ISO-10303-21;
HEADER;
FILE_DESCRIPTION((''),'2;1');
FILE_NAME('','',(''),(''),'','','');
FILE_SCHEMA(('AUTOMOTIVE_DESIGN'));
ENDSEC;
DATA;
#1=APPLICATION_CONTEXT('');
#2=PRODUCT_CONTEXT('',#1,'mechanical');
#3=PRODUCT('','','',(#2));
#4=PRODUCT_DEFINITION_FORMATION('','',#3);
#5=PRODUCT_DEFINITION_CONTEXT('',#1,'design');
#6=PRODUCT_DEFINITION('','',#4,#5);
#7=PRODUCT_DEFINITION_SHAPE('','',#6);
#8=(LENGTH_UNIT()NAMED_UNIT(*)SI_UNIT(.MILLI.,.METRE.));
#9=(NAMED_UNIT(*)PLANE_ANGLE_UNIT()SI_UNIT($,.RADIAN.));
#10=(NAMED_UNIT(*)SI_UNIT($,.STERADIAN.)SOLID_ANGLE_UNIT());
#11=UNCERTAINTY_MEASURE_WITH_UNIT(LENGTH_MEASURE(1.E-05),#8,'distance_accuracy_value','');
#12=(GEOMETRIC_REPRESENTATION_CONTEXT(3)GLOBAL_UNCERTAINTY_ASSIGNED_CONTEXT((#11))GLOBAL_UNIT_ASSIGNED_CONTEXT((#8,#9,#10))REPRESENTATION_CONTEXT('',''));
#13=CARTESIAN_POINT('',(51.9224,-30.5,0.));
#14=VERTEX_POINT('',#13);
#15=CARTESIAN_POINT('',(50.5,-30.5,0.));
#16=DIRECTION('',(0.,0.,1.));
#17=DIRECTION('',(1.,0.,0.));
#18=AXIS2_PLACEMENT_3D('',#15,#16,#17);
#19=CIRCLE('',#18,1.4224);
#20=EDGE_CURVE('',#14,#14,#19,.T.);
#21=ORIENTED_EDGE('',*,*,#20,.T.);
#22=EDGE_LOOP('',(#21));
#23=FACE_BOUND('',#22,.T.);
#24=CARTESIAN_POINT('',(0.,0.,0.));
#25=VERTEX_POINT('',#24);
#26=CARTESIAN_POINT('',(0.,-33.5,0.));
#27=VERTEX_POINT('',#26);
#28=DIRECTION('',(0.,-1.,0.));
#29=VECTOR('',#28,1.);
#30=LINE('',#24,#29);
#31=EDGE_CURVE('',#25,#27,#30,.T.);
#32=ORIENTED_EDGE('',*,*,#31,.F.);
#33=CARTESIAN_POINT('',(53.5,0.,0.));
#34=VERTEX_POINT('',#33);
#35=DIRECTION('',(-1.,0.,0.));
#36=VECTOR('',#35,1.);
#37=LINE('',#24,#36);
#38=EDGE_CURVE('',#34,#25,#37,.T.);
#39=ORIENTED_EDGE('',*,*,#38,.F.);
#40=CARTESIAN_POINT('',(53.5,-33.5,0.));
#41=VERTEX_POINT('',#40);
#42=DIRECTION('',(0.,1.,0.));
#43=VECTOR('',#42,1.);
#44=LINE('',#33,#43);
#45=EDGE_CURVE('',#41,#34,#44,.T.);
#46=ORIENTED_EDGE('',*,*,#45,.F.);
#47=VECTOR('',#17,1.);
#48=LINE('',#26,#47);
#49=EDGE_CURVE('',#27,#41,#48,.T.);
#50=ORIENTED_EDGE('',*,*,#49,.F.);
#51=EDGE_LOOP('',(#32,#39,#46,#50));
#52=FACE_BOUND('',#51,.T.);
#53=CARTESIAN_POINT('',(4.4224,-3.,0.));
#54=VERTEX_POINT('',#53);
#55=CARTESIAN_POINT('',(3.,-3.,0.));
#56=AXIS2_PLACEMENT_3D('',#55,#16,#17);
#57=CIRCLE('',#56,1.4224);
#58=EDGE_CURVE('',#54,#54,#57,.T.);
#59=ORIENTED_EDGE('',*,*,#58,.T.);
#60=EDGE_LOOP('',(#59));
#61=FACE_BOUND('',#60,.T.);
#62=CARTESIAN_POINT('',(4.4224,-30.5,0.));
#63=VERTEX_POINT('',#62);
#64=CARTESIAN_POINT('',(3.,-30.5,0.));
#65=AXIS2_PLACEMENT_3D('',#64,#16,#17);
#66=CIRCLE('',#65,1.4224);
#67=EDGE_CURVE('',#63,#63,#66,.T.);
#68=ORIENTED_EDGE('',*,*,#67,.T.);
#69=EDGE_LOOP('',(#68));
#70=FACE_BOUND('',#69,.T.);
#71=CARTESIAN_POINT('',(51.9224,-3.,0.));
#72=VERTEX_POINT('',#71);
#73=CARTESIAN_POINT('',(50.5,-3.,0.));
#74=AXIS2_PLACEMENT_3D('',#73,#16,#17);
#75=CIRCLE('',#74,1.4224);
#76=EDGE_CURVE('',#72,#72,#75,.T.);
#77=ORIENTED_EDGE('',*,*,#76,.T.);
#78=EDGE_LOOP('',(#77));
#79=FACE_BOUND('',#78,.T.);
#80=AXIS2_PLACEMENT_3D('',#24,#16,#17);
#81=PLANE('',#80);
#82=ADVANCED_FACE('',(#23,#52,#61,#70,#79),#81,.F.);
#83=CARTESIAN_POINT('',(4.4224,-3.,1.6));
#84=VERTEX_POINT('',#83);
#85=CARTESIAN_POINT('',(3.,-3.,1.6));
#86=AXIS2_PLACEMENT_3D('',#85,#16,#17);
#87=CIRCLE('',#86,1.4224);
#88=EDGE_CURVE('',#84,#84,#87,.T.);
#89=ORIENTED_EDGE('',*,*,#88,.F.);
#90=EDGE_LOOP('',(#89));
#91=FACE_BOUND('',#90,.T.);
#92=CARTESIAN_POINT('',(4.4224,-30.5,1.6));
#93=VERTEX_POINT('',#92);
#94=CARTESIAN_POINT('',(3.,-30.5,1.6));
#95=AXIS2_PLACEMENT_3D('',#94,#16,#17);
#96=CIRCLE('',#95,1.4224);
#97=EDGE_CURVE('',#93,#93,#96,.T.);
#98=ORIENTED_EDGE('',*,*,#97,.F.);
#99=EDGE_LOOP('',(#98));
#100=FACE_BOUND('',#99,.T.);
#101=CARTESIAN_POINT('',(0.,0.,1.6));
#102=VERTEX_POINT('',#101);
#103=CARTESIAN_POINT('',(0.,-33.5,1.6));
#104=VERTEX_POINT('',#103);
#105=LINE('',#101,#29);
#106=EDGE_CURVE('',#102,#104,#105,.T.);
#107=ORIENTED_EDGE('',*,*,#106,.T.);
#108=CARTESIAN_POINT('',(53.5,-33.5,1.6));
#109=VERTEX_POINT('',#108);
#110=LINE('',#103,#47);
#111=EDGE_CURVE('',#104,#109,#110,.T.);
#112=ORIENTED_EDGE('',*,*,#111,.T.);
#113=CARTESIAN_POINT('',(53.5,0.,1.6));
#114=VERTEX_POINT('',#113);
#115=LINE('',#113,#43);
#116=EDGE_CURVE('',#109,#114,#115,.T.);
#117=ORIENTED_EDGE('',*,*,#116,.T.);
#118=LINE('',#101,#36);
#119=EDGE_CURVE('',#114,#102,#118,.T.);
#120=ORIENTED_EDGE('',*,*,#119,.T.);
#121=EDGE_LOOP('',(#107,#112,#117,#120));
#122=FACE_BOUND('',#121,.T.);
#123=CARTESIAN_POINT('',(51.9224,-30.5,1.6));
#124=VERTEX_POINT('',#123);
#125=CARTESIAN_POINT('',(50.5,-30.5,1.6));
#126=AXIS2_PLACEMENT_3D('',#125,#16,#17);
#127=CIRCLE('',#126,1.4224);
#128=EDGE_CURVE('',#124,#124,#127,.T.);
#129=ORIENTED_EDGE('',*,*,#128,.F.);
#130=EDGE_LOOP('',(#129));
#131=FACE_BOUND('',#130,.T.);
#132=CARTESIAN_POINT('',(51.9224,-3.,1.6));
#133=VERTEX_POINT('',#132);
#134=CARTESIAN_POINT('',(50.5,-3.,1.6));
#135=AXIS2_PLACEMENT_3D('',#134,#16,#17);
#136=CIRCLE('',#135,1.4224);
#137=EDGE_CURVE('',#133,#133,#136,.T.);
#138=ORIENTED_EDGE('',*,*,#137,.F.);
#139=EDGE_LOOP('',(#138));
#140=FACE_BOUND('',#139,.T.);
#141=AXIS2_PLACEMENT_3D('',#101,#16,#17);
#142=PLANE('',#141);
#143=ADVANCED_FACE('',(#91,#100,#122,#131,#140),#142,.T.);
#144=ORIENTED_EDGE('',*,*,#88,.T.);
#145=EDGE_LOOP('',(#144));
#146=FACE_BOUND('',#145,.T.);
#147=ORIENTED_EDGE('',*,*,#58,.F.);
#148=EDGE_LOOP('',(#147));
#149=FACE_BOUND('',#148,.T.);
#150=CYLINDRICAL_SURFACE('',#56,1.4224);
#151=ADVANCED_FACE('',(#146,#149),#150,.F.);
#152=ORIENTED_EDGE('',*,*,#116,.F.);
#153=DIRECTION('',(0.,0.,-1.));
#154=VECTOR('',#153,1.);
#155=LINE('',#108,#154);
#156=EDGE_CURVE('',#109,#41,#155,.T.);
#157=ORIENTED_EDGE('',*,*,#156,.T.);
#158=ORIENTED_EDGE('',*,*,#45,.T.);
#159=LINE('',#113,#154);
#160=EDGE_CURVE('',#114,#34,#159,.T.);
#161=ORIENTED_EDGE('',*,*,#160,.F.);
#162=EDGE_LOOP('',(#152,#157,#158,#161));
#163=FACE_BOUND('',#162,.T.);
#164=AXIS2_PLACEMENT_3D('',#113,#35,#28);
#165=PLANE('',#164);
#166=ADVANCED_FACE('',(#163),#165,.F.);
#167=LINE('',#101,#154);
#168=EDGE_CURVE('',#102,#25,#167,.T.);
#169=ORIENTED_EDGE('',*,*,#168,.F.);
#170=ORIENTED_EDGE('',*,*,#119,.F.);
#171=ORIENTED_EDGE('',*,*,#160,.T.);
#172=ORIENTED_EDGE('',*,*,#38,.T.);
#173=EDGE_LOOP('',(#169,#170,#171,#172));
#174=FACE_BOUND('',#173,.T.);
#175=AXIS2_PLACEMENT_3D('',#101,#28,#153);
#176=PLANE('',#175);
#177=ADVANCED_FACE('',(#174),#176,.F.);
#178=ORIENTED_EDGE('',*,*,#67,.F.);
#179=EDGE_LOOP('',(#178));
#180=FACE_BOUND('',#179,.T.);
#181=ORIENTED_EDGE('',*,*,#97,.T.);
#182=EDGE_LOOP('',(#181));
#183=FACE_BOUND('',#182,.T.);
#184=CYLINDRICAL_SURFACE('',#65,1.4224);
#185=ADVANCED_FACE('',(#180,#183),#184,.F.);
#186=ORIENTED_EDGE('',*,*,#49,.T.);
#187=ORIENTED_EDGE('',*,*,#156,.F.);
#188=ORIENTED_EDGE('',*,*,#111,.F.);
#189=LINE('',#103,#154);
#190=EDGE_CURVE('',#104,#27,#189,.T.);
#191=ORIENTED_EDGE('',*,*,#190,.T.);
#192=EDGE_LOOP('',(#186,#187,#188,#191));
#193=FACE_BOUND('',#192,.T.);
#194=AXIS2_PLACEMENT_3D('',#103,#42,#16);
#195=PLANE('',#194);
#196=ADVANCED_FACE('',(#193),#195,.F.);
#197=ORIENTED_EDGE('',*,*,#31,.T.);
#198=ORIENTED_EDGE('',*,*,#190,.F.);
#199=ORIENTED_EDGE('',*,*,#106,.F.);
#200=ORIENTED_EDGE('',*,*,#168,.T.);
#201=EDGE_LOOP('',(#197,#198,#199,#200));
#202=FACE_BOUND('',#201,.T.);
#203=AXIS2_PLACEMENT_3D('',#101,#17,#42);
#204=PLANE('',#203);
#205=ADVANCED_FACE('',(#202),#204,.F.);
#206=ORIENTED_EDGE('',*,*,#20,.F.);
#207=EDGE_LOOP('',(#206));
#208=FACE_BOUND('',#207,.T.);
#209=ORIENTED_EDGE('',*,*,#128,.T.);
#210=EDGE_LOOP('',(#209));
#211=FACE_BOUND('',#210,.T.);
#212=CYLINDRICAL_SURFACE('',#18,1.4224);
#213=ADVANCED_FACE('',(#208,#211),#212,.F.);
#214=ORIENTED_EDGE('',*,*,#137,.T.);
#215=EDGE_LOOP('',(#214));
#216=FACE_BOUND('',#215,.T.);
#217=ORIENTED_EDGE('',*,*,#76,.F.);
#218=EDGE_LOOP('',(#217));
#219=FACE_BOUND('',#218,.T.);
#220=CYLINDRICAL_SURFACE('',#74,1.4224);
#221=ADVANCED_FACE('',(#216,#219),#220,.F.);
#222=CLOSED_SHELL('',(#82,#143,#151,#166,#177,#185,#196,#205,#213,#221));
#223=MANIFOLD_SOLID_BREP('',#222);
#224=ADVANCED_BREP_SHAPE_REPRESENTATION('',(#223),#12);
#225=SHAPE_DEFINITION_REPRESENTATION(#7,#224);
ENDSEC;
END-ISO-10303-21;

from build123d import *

# Parameters (mm, degrees)
SKETCH1_W           = 53.5
SKETCH1_H           = 33.5
BOSS_EXTRUDE1_DEPTH = 1.6
SKETCH2_R           = 1.4224
CUT_EXTRUDE1_DEPTH  = 64.143170652


with BuildPart() as part:
    # Sketch1 → Boss-Extrude1 (new body)
    with BuildSketch(Plane.XY):
        with Locations((26.75, -16.75)):
            Rectangle(SKETCH1_W, SKETCH1_H)
    extrude(amount=BOSS_EXTRUDE1_DEPTH)

    # Sketch2 → Cut-Extrude1 (cut, through all)
    with BuildSketch(Plane.XY.offset(1.6)):
        with Locations((3, -3)):
            Circle(SKETCH2_R)
        with Locations((50.5, -3)):
            Circle(SKETCH2_R)
        with Locations((3, -30.5)):
            Circle(SKETCH2_R)
        with Locations((50.5, -30.5)):
            Circle(SKETCH2_R)
    extrude(amount=-CUT_EXTRUDE1_DEPTH, mode=Mode.SUBTRACT)


solid = part.part
